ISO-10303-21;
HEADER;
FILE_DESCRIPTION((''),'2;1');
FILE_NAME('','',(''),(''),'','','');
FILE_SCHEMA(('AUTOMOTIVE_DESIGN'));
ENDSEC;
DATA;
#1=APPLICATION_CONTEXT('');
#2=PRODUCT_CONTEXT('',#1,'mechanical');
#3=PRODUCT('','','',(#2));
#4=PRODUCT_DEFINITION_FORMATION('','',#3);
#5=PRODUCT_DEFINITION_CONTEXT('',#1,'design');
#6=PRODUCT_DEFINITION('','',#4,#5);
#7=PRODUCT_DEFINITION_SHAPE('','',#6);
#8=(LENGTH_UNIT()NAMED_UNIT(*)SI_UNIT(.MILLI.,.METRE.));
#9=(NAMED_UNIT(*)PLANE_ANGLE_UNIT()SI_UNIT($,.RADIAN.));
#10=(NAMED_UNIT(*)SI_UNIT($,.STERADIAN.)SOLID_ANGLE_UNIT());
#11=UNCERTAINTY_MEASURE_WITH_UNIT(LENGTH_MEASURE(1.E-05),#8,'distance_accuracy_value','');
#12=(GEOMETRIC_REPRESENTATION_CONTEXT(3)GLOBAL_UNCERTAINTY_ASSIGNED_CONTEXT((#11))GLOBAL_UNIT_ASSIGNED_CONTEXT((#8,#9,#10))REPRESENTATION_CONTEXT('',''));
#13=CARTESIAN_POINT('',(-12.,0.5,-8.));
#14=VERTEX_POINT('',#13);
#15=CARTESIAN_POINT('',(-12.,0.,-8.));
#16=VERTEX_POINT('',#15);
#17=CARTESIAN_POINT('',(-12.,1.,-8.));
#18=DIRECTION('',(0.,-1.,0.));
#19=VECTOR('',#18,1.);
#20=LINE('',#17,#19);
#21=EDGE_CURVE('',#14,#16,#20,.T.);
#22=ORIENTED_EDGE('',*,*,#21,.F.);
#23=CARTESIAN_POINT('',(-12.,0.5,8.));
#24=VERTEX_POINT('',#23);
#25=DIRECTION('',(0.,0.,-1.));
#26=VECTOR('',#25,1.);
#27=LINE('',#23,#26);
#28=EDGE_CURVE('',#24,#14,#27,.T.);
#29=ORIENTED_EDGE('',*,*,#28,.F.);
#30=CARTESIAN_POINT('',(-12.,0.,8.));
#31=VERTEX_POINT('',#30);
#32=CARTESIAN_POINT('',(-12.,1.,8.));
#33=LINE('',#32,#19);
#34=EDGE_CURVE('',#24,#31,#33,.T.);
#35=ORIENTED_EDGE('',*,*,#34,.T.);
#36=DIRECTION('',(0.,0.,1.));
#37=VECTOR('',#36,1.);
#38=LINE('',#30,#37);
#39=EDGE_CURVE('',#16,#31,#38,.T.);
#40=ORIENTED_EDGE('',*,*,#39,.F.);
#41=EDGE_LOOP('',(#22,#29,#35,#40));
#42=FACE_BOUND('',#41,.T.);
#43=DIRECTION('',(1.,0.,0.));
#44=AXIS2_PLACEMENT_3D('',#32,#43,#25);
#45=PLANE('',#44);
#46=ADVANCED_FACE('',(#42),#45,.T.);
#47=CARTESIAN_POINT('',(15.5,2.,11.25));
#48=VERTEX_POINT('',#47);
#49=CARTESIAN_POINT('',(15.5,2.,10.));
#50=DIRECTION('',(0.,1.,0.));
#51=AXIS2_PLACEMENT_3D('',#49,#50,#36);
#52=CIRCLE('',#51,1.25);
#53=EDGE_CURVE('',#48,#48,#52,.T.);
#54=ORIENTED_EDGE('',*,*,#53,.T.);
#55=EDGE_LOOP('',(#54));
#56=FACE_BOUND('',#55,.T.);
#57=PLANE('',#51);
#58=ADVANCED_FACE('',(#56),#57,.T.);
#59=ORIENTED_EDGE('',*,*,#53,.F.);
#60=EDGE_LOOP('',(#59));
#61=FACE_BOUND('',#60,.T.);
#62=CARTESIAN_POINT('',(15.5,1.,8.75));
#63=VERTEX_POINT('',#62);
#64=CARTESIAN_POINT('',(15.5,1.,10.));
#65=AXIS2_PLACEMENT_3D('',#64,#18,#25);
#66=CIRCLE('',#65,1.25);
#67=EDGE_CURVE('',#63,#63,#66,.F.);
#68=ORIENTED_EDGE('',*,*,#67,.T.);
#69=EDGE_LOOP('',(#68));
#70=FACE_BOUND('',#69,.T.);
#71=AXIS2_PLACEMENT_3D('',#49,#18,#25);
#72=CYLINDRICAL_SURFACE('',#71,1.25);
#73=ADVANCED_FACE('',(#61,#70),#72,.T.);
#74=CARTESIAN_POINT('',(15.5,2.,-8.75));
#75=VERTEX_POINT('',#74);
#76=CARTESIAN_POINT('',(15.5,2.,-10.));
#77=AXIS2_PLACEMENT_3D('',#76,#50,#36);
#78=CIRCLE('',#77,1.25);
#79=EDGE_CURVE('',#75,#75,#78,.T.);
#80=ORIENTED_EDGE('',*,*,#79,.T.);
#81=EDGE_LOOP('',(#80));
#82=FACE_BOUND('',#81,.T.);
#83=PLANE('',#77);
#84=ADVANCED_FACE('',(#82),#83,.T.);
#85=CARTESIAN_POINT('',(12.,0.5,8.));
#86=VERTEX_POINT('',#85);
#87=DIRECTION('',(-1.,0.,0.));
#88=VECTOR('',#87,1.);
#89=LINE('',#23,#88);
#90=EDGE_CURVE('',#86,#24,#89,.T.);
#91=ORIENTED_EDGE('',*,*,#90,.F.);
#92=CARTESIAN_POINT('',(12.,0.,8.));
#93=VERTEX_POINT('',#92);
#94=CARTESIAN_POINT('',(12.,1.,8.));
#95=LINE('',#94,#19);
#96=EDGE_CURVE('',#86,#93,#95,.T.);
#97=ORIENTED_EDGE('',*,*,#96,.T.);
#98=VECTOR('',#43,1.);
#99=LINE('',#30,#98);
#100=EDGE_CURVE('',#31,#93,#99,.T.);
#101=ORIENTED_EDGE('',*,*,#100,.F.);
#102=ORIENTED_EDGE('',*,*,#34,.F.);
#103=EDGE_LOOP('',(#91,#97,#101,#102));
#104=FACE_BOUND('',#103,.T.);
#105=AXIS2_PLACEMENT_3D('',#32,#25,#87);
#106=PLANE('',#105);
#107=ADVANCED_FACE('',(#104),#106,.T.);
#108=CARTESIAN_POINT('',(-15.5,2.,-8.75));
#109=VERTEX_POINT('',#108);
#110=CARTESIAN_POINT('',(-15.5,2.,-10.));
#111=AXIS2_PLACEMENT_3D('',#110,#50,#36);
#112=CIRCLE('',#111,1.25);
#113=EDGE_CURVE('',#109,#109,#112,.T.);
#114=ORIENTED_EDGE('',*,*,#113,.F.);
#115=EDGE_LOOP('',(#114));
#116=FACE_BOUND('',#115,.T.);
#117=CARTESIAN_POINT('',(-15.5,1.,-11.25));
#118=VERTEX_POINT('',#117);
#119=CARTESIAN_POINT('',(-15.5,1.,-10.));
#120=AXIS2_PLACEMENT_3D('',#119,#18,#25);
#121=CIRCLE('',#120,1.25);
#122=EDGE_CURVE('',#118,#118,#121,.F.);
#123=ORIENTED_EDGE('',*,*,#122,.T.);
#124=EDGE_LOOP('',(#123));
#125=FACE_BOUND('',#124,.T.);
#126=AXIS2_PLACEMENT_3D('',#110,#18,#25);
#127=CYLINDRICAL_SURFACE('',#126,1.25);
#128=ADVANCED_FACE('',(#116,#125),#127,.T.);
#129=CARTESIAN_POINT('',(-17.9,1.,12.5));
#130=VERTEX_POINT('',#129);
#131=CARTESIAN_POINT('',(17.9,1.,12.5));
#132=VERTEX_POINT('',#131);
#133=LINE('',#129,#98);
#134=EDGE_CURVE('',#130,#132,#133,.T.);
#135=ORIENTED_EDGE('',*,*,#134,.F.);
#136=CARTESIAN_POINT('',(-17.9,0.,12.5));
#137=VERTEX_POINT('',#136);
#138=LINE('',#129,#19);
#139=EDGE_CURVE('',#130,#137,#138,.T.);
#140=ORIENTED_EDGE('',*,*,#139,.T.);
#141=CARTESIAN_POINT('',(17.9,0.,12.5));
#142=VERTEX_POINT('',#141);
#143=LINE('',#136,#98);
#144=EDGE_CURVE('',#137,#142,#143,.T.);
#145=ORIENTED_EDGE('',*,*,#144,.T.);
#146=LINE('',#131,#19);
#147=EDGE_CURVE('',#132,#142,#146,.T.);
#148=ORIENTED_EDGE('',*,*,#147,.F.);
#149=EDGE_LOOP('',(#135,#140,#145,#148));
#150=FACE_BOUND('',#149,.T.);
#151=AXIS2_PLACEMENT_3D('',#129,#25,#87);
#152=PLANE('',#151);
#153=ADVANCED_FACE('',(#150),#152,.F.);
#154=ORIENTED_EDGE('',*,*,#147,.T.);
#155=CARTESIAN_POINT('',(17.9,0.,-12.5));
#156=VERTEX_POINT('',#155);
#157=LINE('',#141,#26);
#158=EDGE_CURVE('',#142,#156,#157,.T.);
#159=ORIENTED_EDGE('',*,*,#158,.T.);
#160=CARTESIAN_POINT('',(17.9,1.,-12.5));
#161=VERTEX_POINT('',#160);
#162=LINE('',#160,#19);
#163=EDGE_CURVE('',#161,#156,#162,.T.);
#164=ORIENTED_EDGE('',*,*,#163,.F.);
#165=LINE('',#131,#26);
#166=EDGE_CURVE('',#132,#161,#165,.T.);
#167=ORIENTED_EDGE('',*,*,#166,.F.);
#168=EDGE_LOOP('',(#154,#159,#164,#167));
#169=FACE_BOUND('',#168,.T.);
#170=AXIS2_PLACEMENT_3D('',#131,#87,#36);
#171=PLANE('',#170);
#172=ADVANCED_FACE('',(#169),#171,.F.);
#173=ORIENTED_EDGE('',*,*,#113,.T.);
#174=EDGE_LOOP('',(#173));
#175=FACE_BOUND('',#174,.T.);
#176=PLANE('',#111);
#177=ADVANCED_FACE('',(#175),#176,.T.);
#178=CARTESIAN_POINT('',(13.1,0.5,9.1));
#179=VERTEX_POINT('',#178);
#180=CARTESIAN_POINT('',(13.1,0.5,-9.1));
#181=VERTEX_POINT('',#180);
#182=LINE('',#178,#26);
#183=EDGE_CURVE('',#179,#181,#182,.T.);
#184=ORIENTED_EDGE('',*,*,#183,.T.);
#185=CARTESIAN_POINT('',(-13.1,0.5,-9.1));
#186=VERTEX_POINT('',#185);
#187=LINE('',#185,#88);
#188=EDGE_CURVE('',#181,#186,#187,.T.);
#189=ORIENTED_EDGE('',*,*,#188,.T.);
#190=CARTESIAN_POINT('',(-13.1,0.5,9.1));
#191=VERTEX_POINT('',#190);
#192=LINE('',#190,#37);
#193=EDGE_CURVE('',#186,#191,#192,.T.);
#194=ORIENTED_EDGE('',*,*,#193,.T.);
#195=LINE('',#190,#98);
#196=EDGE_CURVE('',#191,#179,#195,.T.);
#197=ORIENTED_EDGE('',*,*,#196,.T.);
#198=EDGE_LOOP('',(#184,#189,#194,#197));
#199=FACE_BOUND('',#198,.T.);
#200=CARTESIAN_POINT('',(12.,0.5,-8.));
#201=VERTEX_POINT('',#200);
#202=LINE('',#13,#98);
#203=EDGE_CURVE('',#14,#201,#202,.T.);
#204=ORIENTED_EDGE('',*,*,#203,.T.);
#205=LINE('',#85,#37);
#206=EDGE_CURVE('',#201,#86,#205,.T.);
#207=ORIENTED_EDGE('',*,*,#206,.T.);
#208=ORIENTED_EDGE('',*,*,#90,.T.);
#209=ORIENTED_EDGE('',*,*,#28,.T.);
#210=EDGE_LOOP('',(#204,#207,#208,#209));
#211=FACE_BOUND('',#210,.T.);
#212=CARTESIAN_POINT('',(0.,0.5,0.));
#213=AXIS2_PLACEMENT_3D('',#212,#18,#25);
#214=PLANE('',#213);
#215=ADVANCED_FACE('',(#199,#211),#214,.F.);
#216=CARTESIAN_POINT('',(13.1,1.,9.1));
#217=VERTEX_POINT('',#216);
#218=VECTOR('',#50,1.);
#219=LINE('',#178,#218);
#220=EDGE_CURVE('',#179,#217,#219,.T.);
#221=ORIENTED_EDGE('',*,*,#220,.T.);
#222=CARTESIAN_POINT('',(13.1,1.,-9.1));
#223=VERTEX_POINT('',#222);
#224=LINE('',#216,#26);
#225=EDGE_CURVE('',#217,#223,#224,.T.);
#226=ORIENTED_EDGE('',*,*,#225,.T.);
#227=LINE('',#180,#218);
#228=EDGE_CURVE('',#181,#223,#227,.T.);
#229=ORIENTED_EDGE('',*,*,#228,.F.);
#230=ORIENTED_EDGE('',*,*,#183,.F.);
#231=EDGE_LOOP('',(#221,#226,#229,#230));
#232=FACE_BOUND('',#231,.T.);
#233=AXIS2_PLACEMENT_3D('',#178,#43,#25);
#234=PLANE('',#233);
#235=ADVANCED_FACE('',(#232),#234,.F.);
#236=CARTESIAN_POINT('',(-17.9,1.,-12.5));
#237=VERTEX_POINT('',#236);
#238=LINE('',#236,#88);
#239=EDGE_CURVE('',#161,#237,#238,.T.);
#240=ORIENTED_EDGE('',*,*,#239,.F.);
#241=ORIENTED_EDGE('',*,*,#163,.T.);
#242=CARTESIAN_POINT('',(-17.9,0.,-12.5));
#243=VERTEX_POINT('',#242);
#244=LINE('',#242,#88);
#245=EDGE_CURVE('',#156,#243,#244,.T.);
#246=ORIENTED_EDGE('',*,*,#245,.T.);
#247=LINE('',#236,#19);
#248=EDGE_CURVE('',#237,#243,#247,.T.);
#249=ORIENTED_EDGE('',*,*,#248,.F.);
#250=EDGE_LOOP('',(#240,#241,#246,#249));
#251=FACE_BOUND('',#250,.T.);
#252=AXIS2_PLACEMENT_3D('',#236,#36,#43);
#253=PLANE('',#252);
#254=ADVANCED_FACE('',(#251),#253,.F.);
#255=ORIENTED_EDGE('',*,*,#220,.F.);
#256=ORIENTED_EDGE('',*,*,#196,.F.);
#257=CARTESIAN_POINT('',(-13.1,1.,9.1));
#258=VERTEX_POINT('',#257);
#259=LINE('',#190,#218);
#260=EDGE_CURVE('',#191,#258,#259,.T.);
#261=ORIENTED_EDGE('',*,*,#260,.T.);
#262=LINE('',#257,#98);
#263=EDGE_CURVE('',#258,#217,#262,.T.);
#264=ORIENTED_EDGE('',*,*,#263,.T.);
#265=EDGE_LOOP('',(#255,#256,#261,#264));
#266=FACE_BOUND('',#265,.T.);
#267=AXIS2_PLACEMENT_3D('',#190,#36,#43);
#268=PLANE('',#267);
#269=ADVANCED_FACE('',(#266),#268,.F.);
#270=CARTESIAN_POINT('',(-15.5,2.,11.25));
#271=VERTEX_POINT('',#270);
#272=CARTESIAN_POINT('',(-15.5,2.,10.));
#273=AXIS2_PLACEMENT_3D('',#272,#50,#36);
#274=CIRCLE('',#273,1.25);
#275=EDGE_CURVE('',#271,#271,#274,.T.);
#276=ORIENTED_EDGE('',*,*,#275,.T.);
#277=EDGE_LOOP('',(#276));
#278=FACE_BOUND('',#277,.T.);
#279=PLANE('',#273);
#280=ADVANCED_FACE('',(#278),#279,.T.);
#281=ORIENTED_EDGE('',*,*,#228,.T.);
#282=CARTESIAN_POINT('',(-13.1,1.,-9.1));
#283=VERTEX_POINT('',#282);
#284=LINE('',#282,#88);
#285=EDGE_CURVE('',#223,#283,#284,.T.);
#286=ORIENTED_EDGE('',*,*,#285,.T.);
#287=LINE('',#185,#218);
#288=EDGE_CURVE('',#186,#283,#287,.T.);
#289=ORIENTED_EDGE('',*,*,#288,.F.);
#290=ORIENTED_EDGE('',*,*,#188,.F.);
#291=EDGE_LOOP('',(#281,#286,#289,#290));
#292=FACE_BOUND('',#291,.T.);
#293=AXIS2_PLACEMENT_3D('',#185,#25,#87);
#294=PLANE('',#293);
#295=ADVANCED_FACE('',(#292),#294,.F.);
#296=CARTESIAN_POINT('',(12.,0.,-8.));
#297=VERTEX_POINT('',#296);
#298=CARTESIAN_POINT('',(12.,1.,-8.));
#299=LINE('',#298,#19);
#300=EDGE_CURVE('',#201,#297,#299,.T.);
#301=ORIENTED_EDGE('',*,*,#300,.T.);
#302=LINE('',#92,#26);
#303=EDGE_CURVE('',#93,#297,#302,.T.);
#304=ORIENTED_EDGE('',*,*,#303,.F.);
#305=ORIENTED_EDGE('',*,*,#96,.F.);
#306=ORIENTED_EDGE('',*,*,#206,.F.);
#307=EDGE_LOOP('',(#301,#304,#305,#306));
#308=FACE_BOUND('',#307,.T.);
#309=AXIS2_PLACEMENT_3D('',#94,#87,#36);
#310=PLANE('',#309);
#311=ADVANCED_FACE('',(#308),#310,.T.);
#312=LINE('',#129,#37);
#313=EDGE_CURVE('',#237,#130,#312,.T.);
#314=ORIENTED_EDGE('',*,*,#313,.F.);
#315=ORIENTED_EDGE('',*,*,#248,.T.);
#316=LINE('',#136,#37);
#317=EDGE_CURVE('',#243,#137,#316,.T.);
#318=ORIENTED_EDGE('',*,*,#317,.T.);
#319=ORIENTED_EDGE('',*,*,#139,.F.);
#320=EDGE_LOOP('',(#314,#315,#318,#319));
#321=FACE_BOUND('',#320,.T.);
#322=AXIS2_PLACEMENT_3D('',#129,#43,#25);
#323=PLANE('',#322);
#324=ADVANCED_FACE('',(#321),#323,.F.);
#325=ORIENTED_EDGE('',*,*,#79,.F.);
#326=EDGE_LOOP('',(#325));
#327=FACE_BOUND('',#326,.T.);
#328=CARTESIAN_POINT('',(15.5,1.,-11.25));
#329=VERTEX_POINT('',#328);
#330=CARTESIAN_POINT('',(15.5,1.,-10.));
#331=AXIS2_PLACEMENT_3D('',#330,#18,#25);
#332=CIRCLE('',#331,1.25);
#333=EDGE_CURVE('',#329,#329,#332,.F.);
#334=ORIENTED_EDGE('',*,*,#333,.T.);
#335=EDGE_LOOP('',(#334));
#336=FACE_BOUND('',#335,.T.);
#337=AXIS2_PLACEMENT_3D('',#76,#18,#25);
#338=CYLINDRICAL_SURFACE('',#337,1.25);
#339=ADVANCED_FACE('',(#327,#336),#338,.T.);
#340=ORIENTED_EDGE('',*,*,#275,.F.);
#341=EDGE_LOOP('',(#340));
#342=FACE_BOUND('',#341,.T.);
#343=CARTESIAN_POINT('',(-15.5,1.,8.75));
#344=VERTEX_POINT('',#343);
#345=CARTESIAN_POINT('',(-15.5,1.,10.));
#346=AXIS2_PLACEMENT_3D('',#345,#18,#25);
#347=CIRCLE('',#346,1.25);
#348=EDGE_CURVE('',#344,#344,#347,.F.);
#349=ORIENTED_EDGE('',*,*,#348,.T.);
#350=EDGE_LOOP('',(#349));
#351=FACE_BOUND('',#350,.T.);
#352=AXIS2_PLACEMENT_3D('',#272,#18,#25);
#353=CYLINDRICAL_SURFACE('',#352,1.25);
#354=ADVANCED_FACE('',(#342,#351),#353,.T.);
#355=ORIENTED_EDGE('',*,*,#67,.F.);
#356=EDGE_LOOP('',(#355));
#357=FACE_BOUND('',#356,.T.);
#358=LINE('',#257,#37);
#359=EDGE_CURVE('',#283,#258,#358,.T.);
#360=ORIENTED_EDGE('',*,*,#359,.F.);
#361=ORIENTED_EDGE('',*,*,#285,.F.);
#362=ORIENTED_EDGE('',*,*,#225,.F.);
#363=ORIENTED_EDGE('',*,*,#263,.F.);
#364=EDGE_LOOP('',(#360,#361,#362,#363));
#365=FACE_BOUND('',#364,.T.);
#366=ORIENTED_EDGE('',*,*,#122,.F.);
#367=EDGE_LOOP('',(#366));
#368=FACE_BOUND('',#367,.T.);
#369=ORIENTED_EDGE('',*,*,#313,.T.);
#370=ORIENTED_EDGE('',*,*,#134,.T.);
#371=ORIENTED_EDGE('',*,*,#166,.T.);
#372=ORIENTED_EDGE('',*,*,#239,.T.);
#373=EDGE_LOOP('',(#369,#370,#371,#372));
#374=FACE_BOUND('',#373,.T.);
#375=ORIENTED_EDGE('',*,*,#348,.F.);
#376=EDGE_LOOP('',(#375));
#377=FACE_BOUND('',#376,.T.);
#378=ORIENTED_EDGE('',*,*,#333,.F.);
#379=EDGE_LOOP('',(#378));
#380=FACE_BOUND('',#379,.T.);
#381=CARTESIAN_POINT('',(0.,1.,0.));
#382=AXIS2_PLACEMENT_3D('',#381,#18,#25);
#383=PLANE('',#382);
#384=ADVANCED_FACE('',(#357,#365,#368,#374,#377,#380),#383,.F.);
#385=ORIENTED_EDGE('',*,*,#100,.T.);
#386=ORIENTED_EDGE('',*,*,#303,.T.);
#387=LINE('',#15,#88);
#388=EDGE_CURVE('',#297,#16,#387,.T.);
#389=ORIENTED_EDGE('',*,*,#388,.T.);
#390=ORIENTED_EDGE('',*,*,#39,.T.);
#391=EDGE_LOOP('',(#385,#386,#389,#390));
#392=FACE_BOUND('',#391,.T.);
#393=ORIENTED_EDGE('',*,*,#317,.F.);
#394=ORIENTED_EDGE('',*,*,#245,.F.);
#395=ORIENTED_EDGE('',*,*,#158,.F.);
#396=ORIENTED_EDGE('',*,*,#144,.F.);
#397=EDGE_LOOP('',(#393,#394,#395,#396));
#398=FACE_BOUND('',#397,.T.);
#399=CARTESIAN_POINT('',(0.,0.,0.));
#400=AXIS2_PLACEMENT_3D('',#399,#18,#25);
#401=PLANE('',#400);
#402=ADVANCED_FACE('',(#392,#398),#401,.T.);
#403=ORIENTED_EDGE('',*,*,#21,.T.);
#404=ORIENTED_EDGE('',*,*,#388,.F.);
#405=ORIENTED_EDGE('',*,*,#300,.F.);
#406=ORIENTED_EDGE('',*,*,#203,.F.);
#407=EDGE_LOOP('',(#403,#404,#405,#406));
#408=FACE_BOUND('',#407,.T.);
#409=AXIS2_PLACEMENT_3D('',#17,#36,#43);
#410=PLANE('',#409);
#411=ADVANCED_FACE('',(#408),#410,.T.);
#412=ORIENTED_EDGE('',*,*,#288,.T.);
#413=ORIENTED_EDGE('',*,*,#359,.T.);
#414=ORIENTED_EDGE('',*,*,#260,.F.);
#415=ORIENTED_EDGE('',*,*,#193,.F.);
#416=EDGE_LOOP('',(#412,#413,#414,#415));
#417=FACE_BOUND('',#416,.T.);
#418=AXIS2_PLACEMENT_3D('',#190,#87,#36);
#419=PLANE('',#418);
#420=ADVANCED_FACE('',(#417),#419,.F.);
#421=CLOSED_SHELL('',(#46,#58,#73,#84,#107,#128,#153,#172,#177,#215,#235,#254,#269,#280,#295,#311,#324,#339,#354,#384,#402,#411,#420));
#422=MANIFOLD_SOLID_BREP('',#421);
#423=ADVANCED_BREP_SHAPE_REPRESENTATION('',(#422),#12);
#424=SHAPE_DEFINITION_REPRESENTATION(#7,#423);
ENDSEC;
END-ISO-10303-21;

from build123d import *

# Parameters (mm, degrees)
SKETCH1_W           = 35.8
SKETCH1_H           = 25
SKETCH1_W_2         = 24
SKETCH1_H_2         = 16
BOSS_EXTRUDE1_DEPTH = 1
SKETCH2_W           = 26.2
SKETCH2_H           = 18.2
CUT_EXTRUDE1_DEPTH  = 0.5
SKETCH4_R           = 1.25
BOSS_EXTRUDE2_DEPTH = 1


with BuildPart() as part:
    # Sketch1 → Boss-Extrude1 (new body)
    with BuildSketch(Plane(origin=(0, 0, 0), x_dir=(1, 0, 0), z_dir=(0, 1, 0))):
        Rectangle(SKETCH1_W, SKETCH1_H)
        Rectangle(SKETCH1_W_2, SKETCH1_H_2, mode=Mode.SUBTRACT)
    extrude(amount=BOSS_EXTRUDE1_DEPTH)

    # Sketch2 → Cut-Extrude1 (cut)
    with BuildSketch(Plane(origin=(0, 1, 0), x_dir=(1, 0, 0), z_dir=(0, 1, 0))):
        Rectangle(SKETCH2_W, SKETCH2_H)
    extrude(amount=-CUT_EXTRUDE1_DEPTH, mode=Mode.SUBTRACT)

    # Sketch4 → Boss-Extrude2 (add)
    with BuildSketch(Plane(origin=(0, 1, 0), x_dir=(1, 0, 0), z_dir=(0, 1, 0))):
        with Locations((-15.5, 10)):
            Circle(SKETCH4_R)
        with Locations((-15.5, -10)):
            Circle(SKETCH4_R)
        with Locations((15.5, -10)):
            Circle(SKETCH4_R)
        with Locations((15.5, 10)):
            Circle(SKETCH4_R)
    extrude(amount=BOSS_EXTRUDE2_DEPTH)


solid = part.part
